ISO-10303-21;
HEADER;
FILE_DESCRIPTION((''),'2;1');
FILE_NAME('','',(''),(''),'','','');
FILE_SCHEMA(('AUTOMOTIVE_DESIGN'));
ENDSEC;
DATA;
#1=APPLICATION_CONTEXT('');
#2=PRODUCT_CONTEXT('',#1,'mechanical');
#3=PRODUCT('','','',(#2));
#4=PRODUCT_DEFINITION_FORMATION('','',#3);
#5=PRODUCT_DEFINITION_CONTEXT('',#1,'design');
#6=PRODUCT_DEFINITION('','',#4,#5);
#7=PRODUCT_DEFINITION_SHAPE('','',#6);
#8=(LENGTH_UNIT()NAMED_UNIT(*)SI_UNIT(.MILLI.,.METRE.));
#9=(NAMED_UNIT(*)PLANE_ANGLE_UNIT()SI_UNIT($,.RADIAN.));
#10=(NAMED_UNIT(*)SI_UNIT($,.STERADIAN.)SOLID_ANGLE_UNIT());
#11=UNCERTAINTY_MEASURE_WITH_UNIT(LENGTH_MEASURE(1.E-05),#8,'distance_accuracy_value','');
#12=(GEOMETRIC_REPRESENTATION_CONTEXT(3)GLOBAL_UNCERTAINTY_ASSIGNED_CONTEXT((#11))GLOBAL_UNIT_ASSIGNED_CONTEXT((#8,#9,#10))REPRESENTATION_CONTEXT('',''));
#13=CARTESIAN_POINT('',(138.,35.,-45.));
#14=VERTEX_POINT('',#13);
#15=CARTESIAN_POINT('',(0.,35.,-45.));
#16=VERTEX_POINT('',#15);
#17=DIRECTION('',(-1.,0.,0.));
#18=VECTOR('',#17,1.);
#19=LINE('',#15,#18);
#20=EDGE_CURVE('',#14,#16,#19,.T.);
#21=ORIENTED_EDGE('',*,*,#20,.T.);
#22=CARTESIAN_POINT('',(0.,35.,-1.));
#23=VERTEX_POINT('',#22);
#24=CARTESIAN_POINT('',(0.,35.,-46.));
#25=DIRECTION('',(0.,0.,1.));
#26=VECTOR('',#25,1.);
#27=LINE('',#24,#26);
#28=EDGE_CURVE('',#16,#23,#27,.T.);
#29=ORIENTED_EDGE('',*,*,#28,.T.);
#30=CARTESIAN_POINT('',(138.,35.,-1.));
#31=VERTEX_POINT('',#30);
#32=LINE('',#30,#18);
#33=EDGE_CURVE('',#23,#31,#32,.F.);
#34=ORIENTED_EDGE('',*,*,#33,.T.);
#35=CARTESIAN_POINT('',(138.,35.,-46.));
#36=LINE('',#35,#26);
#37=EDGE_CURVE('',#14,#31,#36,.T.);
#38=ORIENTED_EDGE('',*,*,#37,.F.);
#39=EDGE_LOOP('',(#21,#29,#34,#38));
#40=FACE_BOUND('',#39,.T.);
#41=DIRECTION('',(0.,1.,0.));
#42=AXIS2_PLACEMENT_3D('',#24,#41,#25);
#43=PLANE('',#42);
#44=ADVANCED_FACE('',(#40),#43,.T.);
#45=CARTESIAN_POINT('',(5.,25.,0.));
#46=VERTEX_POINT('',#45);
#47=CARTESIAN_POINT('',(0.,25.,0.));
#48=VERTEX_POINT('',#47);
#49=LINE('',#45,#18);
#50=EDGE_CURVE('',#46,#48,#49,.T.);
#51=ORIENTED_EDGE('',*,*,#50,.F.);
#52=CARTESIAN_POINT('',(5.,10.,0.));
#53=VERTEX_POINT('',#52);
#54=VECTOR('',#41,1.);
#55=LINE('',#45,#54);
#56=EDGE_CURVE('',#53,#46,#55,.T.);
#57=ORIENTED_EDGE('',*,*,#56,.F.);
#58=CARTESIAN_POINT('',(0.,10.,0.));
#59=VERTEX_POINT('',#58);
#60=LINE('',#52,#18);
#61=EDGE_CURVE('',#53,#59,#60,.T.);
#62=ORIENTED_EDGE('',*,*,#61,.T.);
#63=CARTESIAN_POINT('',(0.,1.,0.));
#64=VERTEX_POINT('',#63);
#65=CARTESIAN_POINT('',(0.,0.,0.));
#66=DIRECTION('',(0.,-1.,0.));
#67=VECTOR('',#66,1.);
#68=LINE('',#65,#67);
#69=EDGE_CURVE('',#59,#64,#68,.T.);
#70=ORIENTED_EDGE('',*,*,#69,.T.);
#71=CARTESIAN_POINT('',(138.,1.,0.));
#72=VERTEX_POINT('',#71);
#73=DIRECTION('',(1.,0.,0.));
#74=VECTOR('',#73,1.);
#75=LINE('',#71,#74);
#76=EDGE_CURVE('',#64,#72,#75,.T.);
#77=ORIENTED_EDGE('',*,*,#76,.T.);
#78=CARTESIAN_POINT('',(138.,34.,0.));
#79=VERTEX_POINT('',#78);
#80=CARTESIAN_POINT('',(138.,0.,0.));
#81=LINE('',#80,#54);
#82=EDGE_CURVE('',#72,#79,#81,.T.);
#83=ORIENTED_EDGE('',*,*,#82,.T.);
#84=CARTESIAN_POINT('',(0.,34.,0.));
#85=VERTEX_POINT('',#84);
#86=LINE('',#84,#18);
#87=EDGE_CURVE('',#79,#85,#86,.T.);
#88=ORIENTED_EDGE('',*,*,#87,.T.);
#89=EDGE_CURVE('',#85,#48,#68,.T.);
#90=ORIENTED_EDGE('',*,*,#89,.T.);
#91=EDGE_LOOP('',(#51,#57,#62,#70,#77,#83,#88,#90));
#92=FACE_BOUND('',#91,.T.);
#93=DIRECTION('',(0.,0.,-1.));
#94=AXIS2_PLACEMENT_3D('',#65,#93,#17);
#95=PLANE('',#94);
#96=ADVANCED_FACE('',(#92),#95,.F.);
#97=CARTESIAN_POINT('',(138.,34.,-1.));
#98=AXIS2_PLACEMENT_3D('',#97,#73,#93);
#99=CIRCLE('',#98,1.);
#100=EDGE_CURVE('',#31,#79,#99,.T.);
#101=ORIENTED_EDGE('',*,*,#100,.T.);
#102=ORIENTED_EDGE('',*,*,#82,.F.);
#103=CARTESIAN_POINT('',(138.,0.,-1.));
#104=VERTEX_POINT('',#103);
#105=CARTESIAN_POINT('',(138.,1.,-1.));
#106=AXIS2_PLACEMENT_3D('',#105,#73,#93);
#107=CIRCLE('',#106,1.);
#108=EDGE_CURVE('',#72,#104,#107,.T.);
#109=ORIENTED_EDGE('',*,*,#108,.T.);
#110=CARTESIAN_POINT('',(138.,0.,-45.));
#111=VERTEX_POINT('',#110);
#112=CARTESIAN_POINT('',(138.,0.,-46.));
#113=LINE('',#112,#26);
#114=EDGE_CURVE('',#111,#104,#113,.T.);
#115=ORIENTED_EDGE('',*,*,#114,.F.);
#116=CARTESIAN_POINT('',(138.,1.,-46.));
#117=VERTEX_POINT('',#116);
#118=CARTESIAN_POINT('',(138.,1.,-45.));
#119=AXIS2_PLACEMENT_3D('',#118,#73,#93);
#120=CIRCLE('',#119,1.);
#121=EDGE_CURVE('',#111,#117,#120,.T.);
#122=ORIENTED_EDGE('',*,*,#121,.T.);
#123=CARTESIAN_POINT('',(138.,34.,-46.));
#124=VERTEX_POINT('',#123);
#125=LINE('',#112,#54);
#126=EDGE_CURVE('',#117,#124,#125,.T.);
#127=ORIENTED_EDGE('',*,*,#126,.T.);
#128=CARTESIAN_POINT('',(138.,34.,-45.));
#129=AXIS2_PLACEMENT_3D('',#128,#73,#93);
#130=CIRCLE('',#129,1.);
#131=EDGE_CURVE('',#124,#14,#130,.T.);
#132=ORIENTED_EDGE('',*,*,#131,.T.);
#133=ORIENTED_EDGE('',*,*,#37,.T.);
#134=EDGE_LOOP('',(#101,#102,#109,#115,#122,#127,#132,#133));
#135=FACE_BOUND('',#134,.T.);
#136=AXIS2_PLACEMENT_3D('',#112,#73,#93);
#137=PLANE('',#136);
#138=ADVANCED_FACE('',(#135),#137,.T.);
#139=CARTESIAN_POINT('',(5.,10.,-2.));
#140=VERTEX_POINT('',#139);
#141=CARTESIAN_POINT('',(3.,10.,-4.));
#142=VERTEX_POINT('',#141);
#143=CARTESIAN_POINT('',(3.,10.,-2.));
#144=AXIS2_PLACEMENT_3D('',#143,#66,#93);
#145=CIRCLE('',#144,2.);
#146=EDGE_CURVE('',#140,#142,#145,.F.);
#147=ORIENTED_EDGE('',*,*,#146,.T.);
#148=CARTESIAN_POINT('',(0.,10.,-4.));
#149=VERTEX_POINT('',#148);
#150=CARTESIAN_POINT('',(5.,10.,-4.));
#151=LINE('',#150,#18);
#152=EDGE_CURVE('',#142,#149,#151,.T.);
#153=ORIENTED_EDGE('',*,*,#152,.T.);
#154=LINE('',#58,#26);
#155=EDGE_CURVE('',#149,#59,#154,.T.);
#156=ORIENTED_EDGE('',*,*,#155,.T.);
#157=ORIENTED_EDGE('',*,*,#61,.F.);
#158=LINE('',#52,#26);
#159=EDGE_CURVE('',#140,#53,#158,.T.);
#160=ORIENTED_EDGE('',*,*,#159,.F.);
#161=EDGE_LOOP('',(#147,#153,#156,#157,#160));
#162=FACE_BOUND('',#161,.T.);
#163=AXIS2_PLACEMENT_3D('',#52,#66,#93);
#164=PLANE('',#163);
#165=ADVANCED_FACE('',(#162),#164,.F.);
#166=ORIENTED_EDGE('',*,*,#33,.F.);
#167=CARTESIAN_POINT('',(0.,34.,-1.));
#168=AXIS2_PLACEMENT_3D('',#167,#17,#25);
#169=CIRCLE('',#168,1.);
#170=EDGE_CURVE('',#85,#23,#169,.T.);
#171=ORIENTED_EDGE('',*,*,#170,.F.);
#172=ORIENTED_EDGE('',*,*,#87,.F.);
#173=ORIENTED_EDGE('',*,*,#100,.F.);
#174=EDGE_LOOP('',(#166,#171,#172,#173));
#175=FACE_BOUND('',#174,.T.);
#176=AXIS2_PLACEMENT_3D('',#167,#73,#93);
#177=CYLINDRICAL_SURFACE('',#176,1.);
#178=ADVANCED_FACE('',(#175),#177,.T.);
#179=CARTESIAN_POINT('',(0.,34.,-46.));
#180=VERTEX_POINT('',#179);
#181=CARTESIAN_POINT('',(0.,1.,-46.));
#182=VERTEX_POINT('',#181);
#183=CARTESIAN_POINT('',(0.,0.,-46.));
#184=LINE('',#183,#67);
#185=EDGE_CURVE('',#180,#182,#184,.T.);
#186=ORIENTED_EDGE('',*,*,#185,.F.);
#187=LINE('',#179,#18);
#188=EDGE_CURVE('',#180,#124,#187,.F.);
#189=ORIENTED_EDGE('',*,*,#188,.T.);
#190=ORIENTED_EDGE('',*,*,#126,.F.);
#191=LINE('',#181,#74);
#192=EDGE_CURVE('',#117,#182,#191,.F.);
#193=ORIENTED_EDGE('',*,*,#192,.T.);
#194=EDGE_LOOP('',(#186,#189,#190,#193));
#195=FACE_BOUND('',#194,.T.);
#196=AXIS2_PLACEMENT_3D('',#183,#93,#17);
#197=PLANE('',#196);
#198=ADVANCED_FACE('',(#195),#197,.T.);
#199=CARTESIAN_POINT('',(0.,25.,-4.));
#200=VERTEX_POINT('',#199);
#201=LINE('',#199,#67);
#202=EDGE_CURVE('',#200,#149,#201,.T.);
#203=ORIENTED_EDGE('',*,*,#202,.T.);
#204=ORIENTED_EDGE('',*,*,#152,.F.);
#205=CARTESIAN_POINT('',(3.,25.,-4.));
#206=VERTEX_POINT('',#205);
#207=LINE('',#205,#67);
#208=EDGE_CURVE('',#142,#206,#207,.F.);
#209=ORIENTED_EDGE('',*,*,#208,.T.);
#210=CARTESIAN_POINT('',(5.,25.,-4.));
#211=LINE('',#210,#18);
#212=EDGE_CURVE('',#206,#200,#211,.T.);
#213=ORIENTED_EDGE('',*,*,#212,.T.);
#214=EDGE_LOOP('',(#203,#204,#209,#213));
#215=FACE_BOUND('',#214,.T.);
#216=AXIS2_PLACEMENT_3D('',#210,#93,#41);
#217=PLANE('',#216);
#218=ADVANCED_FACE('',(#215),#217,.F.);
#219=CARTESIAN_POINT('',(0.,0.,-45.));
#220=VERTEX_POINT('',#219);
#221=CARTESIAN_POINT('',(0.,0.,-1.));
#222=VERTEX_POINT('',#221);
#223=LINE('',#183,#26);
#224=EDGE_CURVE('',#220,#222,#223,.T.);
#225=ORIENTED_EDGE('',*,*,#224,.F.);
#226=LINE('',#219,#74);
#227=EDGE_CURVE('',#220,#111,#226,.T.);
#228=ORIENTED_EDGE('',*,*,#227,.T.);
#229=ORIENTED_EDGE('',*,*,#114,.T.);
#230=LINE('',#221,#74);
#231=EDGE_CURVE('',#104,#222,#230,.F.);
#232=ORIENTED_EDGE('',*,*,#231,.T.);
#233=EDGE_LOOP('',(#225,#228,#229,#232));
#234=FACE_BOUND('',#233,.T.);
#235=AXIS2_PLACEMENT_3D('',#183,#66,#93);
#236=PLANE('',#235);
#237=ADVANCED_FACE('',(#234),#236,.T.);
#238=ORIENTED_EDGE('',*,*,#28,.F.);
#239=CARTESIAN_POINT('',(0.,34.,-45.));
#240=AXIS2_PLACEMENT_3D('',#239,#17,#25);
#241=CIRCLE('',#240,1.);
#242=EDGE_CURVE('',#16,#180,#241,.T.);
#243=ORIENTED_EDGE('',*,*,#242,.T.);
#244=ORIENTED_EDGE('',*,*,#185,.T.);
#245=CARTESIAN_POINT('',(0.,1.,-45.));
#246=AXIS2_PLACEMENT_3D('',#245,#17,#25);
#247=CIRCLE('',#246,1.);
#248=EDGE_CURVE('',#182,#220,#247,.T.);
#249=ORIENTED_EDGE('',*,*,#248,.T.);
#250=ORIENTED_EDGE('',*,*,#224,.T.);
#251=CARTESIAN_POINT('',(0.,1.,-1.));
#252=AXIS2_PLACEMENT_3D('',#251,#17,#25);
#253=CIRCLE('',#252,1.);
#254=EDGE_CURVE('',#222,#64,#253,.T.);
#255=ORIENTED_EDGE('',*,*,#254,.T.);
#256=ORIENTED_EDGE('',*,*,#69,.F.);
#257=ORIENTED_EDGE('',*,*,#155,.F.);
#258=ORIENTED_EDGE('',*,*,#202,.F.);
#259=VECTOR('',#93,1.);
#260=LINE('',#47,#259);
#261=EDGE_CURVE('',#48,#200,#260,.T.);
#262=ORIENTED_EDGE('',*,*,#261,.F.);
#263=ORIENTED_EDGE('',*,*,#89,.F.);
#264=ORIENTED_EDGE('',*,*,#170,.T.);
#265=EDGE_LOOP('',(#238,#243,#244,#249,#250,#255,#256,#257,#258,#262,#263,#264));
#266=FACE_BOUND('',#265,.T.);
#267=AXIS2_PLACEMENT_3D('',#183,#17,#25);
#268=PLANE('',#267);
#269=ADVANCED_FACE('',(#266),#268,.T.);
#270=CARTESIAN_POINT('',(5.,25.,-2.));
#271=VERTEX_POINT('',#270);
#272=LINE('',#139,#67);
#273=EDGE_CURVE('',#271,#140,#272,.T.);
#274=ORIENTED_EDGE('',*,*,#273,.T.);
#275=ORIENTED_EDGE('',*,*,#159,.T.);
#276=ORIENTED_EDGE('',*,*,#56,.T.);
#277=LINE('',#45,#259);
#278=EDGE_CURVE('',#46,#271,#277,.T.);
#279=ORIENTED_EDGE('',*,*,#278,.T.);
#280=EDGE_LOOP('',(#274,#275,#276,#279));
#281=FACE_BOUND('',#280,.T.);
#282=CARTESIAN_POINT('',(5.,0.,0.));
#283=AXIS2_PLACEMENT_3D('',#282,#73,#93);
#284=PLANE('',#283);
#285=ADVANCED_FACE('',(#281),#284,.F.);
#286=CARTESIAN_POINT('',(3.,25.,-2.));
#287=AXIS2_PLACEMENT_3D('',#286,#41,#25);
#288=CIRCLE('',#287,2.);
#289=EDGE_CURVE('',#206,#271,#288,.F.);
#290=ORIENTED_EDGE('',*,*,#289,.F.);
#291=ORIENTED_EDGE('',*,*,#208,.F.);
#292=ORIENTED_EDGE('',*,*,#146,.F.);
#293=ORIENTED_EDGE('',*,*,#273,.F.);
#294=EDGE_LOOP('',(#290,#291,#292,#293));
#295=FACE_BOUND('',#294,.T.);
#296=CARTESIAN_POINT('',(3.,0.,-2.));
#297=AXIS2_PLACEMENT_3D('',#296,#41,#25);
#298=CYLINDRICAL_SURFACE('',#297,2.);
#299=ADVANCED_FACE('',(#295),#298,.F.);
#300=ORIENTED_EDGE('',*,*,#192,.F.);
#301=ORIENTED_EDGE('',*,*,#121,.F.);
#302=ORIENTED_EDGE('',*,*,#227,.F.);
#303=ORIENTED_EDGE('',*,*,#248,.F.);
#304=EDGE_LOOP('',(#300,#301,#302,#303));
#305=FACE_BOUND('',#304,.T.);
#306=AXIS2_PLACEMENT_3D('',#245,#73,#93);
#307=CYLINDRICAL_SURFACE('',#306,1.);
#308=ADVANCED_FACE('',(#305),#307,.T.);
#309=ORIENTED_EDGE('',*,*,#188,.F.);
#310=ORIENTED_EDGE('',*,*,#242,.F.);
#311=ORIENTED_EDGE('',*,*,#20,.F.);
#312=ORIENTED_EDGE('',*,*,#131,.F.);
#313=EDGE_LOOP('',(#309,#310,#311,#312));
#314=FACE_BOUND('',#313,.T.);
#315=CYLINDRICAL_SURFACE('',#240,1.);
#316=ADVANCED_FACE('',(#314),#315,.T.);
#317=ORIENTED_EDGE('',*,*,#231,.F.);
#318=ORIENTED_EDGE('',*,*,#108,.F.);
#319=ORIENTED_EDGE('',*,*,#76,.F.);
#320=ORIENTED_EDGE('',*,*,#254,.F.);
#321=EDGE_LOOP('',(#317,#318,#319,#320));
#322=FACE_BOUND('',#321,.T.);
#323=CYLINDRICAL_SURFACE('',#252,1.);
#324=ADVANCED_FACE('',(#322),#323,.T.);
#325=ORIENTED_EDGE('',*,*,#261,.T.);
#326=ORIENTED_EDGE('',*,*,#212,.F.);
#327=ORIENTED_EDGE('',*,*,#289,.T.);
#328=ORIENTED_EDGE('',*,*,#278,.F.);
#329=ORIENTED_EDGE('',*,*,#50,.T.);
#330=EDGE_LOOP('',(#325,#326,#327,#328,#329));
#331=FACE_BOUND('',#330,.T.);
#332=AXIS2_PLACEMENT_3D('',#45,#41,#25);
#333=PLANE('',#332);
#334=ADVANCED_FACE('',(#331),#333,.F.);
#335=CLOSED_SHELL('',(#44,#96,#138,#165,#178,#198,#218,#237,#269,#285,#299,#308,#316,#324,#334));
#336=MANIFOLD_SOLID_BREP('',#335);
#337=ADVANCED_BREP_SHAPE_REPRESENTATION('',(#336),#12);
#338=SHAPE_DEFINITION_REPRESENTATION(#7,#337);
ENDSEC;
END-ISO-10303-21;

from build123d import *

# Parameters (mm, degrees)
SKETCH1_W           = 138
SKETCH1_H           = 35
BOSS_EXTRUDE1_DEPTH = 46
FILLET2_R           = 1
SKETCH4_W           = 4
SKETCH4_H           = 15
CUT_EXTRUDE2_DEPTH  = 5
FILLET3_R           = 2


with BuildPart() as part:
    # Sketch1 → Boss-Extrude1 (new body)
    with BuildSketch(Plane.XY):
        with Locations((69, 17.5)):
            Rectangle(SKETCH1_W, SKETCH1_H)
    extrude(amount=-BOSS_EXTRUDE1_DEPTH)

    # Fillet2
    fillet2_edges = [part.edges().sort_by_distance(p)[0] for p in [
        (69, 35, -46),
        (69, 35, 0),
        (69, 0, 0),
        (69, 0, -46),
    ]]
    fillet(fillet2_edges, radius=FILLET2_R)

    # Sketch4 → Cut-Extrude2 (cut)
    with BuildSketch(Plane.ZY):
        with Locations((-2, 17.5)):
            Rectangle(SKETCH4_W, SKETCH4_H)
    extrude(amount=-CUT_EXTRUDE2_DEPTH, mode=Mode.SUBTRACT)

    # Fillet3
    fillet3_edges = [part.edges().sort_by_distance(p)[0] for p in [
        (5, 17.5, -4),
    ]]
    fillet(fillet3_edges, radius=FILLET3_R)


solid = part.part
